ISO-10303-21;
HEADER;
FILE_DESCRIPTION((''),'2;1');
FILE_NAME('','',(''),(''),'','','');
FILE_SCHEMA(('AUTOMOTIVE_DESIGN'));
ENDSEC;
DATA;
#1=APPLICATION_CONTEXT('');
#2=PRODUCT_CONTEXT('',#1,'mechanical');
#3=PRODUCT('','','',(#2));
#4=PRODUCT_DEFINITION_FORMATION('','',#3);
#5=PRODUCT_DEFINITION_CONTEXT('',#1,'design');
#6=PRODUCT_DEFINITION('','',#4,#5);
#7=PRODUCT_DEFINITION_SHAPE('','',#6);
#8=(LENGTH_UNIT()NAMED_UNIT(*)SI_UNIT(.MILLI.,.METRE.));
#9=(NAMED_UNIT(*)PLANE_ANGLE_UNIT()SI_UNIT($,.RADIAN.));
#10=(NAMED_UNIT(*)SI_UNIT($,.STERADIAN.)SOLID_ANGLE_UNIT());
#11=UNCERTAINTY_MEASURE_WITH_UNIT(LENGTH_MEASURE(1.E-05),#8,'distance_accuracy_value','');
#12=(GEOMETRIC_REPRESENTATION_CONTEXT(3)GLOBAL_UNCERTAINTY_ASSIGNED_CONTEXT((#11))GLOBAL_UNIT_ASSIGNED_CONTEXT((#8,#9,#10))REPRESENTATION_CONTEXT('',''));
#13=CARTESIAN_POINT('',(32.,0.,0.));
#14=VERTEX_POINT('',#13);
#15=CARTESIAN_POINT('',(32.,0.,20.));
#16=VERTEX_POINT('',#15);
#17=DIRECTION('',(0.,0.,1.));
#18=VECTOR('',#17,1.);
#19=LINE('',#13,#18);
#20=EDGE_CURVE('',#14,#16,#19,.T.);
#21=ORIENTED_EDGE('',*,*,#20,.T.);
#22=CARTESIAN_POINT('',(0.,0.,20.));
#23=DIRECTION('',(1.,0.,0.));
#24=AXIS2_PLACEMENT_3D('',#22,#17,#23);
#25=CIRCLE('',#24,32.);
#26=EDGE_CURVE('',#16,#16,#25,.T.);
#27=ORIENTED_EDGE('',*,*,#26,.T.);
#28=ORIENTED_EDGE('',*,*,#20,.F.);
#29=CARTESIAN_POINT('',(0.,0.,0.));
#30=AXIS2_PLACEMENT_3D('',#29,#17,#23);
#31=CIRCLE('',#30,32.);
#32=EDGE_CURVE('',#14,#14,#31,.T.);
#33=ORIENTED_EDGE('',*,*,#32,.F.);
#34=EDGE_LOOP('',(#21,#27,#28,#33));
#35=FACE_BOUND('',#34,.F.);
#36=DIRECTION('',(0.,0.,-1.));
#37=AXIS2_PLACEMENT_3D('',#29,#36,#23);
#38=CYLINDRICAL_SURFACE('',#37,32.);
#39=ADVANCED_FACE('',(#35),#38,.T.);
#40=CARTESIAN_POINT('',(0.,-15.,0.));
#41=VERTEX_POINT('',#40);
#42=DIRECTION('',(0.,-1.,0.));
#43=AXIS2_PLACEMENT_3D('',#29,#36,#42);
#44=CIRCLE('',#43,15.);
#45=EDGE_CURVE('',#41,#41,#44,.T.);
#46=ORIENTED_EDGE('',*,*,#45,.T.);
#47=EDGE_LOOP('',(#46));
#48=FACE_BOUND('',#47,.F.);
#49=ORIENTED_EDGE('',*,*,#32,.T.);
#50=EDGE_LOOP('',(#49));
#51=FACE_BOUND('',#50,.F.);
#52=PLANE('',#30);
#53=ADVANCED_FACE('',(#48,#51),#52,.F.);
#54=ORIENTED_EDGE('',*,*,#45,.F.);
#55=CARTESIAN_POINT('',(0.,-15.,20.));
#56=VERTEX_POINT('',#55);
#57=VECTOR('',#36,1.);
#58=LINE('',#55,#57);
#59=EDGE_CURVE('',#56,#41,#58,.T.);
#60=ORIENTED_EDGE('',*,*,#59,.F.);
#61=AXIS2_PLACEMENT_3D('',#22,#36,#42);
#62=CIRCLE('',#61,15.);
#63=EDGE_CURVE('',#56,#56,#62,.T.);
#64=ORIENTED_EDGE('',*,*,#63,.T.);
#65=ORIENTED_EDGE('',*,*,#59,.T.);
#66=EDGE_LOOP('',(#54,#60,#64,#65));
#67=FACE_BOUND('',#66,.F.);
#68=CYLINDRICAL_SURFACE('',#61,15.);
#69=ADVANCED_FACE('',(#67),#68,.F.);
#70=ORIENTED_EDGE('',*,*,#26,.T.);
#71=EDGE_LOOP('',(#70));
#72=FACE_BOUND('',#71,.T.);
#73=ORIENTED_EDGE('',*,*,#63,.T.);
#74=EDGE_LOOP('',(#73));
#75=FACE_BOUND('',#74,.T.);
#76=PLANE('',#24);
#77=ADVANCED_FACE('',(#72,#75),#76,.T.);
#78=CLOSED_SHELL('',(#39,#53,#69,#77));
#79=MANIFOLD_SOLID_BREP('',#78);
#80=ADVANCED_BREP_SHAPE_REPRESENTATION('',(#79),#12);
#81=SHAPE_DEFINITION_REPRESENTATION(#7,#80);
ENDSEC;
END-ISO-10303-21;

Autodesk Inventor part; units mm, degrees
ref_plane "YZ Plane" through (0, 0, 0) normal (1, 0, 0) x (0, 1, 0)
ref_plane "XZ Plane" through (0, 0, 0) normal (0, 1, 0) x (-1, 0, 0)
ref_plane "XY Plane" through (0, 0, 0) normal (0, 0, 1) x (1, 0, 0)
sketch "草圖1" plane through (0, 0, 0) normal (0, 0, 1) x (1, 0, 0)
  circle A0 centre (0, 0) radius 32
  dimension "d0" = 64
extrude "擠出1" add sketch "草圖1" along normal blind 20
sketch "草圖2" plane through (0, 0, 20) normal (0, 0, 1) x (1, 0, 0)
  point P0 (0, 0)
  point P1 (0, 0)
hole "孔1" at (0, 0, 20) direction (0, 0, -1) diameter 30 end through all
properties part number "銅墊塊-50T"
